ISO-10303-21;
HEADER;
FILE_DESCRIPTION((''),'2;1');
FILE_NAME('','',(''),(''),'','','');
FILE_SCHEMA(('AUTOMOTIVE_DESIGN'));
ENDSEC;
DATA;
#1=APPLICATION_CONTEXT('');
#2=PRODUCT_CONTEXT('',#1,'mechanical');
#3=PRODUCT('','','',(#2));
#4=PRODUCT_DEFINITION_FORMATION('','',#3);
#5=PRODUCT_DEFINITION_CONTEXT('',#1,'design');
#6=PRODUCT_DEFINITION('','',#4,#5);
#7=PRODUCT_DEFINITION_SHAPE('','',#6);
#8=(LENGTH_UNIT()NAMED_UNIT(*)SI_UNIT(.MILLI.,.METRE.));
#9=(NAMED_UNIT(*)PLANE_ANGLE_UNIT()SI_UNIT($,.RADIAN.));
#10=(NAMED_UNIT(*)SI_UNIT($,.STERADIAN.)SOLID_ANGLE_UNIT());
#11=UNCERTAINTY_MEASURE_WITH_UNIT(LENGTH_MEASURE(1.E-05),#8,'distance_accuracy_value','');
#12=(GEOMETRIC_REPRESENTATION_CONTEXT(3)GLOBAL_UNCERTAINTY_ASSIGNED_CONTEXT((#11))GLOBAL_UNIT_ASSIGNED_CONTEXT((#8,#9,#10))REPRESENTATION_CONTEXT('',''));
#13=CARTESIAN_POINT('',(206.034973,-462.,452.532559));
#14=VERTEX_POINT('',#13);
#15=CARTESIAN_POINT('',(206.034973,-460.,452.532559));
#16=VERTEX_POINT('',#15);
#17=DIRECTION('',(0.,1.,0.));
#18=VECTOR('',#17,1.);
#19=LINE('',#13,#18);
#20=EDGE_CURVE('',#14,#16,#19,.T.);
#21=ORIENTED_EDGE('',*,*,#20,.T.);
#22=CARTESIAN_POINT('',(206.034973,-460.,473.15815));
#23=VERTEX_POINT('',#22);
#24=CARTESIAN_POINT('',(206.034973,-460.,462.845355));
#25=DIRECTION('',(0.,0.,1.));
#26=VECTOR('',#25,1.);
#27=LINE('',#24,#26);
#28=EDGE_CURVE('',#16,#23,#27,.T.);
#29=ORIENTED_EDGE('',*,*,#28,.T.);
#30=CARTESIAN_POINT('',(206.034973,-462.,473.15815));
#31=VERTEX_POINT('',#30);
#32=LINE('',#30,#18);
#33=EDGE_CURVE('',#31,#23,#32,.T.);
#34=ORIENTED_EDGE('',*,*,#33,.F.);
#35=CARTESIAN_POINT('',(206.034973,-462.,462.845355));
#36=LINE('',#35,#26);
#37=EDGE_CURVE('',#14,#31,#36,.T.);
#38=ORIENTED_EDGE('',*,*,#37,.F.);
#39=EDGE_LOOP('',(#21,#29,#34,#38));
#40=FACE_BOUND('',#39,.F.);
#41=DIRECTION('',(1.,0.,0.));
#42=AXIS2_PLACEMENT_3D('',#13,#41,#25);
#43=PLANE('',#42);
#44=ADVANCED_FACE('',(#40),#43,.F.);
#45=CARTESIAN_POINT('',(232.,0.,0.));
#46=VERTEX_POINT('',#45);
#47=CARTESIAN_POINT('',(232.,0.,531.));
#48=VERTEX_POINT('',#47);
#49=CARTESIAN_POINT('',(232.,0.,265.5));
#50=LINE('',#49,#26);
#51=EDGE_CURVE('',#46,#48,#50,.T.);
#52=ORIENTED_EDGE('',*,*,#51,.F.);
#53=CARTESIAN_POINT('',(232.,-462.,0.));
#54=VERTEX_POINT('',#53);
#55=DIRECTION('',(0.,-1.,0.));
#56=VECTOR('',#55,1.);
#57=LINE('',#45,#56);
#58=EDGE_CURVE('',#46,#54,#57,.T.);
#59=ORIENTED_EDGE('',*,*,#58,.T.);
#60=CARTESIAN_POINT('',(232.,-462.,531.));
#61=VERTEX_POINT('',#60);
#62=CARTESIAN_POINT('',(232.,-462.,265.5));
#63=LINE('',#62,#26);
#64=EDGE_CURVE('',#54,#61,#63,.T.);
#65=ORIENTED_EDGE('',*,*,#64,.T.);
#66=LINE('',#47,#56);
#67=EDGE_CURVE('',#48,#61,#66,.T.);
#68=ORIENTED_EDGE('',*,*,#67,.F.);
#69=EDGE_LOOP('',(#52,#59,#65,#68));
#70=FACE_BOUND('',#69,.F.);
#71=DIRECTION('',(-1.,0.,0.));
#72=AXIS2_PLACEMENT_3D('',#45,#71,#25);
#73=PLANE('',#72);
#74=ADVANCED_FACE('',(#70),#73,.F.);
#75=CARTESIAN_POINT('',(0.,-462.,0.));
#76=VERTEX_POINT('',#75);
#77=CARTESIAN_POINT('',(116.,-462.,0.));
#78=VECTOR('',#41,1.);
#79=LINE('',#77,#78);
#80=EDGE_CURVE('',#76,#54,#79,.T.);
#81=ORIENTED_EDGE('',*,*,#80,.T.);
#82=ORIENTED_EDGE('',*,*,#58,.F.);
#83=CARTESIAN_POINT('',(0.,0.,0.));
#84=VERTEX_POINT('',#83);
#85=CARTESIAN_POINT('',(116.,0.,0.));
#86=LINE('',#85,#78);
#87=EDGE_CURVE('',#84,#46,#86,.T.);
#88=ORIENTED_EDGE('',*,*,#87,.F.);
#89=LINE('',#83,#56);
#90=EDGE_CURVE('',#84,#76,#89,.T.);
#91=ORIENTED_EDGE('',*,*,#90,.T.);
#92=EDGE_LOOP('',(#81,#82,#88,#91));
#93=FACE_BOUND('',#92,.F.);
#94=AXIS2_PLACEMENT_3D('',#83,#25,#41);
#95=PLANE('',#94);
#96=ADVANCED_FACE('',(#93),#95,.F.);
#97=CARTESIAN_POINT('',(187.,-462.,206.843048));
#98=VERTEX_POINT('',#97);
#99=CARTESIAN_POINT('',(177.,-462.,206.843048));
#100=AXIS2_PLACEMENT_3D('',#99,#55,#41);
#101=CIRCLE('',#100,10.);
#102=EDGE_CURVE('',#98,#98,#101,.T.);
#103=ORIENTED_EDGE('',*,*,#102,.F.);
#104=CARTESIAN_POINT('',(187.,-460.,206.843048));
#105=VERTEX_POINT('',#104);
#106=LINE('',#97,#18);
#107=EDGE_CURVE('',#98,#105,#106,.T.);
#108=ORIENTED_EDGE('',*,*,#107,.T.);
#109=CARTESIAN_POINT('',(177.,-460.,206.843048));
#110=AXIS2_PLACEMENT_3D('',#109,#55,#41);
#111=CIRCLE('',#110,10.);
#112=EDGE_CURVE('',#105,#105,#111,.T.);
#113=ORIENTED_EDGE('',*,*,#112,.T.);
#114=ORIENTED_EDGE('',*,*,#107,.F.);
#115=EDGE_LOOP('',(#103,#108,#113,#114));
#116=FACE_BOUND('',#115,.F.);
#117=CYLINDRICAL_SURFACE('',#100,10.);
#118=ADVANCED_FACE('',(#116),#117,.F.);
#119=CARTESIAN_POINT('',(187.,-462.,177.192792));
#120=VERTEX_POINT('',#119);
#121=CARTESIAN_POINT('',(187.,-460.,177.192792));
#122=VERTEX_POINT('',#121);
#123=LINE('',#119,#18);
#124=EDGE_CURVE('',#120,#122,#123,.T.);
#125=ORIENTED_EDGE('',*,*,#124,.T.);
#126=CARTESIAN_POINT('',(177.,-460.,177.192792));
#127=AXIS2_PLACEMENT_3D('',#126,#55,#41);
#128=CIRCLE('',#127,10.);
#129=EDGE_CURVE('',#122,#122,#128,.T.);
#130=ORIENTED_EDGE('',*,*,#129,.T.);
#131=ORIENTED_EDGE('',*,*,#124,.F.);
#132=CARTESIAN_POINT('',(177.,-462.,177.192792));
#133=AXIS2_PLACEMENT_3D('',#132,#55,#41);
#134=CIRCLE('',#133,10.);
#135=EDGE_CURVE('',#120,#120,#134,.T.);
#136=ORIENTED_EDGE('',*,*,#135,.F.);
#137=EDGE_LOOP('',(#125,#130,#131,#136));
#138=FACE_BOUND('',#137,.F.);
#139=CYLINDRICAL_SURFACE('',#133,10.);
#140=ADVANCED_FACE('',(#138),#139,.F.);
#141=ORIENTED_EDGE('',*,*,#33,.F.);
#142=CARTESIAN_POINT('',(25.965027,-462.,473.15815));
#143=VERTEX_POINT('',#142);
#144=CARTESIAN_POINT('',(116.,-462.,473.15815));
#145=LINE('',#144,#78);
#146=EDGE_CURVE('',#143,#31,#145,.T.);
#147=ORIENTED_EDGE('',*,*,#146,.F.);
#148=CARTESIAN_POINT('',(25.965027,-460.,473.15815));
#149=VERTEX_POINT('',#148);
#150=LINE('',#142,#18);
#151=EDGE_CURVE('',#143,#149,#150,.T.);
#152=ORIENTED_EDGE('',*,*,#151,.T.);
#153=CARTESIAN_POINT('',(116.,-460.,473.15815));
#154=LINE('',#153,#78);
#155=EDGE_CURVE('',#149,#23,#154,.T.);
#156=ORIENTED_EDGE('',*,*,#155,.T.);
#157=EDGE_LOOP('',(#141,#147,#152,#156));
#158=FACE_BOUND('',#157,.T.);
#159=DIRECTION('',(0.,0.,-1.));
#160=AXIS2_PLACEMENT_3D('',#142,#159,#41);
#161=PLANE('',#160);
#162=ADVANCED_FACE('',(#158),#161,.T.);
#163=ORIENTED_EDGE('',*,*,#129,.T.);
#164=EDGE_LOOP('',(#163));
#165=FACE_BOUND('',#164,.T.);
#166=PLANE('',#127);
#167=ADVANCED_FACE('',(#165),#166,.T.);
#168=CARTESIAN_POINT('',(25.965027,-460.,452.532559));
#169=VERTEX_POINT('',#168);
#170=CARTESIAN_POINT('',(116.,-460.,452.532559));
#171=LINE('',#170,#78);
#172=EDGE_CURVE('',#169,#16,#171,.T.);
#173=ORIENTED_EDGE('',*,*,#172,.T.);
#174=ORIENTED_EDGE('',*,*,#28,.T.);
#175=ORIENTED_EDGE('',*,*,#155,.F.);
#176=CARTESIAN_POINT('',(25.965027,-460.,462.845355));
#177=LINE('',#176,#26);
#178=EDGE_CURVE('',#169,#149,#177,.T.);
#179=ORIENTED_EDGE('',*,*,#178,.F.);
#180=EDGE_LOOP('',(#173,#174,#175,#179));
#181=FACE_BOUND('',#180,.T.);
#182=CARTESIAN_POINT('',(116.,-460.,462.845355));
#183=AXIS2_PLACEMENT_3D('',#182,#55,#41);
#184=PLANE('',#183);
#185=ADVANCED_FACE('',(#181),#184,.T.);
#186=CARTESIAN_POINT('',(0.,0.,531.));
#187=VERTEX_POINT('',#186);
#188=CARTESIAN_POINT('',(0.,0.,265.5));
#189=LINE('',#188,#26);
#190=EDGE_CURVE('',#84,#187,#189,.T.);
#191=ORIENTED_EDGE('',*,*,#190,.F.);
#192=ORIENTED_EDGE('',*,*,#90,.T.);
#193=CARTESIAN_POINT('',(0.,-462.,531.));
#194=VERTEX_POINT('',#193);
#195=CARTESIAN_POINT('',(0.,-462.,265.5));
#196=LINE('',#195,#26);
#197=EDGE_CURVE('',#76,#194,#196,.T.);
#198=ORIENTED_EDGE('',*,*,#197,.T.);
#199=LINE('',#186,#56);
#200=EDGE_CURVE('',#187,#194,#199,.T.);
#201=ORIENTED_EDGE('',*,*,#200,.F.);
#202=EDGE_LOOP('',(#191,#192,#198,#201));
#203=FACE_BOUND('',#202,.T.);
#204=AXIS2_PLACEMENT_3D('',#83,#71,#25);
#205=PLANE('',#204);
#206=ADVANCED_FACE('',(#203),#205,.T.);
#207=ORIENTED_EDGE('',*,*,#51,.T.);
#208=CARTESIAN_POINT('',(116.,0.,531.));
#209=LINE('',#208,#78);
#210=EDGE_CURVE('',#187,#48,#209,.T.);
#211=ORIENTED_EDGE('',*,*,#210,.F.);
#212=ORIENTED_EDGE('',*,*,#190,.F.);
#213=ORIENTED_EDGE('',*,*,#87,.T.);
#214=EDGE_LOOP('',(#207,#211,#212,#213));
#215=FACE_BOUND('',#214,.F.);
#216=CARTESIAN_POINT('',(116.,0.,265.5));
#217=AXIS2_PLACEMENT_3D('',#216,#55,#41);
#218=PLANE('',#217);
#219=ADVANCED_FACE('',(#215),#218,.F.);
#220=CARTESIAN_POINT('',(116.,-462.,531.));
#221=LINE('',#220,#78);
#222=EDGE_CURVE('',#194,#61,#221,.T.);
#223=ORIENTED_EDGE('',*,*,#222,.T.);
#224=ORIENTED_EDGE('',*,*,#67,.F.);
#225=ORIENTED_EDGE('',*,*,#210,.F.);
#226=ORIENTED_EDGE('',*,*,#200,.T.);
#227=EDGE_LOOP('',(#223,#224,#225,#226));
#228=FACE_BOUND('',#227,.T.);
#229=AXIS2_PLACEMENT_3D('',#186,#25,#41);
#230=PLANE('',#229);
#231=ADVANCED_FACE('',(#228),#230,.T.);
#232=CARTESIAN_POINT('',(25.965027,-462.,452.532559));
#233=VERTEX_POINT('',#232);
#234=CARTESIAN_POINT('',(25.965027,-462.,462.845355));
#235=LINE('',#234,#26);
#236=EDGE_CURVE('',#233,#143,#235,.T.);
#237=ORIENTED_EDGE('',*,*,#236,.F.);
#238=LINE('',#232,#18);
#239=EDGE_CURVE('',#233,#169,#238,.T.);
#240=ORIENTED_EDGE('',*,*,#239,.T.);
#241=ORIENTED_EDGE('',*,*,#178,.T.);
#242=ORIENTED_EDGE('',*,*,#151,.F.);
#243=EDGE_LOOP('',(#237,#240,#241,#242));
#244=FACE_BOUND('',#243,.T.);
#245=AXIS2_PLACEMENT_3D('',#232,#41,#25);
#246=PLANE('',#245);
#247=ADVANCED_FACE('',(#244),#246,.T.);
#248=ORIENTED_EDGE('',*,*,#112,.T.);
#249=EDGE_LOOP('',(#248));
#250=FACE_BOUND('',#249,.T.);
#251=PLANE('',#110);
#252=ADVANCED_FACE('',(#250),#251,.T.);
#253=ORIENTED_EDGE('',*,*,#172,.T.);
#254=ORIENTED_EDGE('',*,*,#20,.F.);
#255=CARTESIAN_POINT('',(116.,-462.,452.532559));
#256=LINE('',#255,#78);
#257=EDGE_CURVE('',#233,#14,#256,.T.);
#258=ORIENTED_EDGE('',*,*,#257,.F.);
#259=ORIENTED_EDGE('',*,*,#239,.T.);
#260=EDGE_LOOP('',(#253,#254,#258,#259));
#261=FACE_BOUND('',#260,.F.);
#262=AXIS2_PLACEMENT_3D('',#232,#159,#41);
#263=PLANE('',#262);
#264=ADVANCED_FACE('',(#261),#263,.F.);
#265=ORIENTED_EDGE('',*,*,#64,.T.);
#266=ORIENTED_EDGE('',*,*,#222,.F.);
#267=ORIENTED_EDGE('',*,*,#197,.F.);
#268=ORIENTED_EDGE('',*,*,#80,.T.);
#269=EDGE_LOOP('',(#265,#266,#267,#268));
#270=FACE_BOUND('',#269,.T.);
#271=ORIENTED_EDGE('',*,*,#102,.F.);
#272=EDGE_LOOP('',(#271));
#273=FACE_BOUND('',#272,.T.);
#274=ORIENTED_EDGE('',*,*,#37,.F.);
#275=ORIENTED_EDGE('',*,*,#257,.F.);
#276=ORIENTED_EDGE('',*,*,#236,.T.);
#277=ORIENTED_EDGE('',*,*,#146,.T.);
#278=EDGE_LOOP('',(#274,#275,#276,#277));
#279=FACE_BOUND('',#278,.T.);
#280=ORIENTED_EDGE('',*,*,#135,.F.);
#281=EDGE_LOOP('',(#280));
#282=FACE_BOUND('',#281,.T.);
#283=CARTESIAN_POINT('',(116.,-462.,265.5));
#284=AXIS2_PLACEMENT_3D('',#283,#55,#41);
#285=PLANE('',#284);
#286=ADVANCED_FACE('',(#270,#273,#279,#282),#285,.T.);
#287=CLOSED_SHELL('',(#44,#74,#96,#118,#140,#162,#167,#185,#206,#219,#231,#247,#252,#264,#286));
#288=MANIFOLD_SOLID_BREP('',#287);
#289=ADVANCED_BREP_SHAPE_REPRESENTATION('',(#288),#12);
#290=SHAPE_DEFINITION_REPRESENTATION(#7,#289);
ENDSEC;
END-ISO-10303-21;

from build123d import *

# Parameters (mm, degrees)
F0_W     = 232
F0_H     = 531
F1_DEPTH = 462
F2_W     = 180.069946
F2_H     = 20.625591
F2_R     = 10
F3_DEPTH = 2


with BuildPart() as f1:
    # F0 (on Front) → F1 (new body)
    with BuildSketch(Plane.XZ):
        with Locations((116, 265.5)):
            Rectangle(F0_W, F0_H)
    extrude(amount=F1_DEPTH)

    # F2 (on face) → F3 (cut)
    with BuildSketch(Plane.XZ.offset(462)):
        with Locations((116, 462.845355)):
            Rectangle(F2_W, F2_H)
        with Locations((177, 206.843048)):
            Circle(F2_R)
        with Locations((177, 177.192792)):
            Circle(F2_R)
    extrude(amount=-F3_DEPTH, mode=Mode.SUBTRACT)


solid = f1.part
